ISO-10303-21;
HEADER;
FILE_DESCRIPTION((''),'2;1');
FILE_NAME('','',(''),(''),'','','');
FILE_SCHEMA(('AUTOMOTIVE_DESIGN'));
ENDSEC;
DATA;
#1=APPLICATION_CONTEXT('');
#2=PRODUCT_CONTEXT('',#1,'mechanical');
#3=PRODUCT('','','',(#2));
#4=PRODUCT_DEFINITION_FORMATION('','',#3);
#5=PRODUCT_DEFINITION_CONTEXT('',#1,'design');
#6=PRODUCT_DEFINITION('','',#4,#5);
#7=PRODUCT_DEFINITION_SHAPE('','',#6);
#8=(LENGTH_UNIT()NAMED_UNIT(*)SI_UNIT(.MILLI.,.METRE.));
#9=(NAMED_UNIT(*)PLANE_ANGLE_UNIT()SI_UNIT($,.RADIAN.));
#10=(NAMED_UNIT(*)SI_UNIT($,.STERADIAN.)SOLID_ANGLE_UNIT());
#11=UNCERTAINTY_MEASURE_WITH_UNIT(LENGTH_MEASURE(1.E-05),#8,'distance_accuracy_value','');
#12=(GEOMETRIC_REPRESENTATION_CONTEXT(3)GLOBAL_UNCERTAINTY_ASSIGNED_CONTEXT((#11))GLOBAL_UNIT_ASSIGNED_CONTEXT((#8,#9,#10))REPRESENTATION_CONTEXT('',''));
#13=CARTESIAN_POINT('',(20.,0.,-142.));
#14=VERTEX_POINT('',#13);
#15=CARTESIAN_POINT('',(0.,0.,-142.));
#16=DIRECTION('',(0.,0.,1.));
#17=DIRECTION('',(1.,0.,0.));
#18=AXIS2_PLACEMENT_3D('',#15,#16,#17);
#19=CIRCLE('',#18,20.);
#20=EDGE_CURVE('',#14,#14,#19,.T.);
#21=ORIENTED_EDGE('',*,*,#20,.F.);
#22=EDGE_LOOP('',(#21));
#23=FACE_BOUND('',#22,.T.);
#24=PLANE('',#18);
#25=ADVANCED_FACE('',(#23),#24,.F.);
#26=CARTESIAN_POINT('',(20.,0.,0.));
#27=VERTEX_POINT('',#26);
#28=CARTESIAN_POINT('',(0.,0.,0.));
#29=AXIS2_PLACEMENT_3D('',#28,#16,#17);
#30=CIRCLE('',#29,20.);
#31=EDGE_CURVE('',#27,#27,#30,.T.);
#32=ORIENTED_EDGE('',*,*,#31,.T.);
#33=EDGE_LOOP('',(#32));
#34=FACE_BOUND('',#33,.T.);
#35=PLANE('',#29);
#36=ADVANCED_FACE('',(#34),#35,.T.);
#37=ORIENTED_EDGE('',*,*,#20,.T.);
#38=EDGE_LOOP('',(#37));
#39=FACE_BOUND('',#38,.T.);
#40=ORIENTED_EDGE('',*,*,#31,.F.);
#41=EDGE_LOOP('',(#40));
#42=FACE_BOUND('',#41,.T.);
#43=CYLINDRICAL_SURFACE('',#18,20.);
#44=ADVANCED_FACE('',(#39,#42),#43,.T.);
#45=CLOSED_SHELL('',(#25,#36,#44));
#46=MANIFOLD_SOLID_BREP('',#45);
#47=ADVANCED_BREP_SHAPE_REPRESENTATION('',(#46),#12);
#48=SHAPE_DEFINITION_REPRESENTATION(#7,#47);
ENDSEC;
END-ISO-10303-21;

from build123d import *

# Parameters (mm, degrees)
SKETCH_1_R      = 20
EXTRUDE_1_DEPTH = 142


with BuildPart() as part:
    # 草图1 → 凸台-拉伸1 (new body)
    with BuildSketch(Plane.XY):
        Circle(SKETCH_1_R)
    extrude(amount=-EXTRUDE_1_DEPTH)


solid = part.part
